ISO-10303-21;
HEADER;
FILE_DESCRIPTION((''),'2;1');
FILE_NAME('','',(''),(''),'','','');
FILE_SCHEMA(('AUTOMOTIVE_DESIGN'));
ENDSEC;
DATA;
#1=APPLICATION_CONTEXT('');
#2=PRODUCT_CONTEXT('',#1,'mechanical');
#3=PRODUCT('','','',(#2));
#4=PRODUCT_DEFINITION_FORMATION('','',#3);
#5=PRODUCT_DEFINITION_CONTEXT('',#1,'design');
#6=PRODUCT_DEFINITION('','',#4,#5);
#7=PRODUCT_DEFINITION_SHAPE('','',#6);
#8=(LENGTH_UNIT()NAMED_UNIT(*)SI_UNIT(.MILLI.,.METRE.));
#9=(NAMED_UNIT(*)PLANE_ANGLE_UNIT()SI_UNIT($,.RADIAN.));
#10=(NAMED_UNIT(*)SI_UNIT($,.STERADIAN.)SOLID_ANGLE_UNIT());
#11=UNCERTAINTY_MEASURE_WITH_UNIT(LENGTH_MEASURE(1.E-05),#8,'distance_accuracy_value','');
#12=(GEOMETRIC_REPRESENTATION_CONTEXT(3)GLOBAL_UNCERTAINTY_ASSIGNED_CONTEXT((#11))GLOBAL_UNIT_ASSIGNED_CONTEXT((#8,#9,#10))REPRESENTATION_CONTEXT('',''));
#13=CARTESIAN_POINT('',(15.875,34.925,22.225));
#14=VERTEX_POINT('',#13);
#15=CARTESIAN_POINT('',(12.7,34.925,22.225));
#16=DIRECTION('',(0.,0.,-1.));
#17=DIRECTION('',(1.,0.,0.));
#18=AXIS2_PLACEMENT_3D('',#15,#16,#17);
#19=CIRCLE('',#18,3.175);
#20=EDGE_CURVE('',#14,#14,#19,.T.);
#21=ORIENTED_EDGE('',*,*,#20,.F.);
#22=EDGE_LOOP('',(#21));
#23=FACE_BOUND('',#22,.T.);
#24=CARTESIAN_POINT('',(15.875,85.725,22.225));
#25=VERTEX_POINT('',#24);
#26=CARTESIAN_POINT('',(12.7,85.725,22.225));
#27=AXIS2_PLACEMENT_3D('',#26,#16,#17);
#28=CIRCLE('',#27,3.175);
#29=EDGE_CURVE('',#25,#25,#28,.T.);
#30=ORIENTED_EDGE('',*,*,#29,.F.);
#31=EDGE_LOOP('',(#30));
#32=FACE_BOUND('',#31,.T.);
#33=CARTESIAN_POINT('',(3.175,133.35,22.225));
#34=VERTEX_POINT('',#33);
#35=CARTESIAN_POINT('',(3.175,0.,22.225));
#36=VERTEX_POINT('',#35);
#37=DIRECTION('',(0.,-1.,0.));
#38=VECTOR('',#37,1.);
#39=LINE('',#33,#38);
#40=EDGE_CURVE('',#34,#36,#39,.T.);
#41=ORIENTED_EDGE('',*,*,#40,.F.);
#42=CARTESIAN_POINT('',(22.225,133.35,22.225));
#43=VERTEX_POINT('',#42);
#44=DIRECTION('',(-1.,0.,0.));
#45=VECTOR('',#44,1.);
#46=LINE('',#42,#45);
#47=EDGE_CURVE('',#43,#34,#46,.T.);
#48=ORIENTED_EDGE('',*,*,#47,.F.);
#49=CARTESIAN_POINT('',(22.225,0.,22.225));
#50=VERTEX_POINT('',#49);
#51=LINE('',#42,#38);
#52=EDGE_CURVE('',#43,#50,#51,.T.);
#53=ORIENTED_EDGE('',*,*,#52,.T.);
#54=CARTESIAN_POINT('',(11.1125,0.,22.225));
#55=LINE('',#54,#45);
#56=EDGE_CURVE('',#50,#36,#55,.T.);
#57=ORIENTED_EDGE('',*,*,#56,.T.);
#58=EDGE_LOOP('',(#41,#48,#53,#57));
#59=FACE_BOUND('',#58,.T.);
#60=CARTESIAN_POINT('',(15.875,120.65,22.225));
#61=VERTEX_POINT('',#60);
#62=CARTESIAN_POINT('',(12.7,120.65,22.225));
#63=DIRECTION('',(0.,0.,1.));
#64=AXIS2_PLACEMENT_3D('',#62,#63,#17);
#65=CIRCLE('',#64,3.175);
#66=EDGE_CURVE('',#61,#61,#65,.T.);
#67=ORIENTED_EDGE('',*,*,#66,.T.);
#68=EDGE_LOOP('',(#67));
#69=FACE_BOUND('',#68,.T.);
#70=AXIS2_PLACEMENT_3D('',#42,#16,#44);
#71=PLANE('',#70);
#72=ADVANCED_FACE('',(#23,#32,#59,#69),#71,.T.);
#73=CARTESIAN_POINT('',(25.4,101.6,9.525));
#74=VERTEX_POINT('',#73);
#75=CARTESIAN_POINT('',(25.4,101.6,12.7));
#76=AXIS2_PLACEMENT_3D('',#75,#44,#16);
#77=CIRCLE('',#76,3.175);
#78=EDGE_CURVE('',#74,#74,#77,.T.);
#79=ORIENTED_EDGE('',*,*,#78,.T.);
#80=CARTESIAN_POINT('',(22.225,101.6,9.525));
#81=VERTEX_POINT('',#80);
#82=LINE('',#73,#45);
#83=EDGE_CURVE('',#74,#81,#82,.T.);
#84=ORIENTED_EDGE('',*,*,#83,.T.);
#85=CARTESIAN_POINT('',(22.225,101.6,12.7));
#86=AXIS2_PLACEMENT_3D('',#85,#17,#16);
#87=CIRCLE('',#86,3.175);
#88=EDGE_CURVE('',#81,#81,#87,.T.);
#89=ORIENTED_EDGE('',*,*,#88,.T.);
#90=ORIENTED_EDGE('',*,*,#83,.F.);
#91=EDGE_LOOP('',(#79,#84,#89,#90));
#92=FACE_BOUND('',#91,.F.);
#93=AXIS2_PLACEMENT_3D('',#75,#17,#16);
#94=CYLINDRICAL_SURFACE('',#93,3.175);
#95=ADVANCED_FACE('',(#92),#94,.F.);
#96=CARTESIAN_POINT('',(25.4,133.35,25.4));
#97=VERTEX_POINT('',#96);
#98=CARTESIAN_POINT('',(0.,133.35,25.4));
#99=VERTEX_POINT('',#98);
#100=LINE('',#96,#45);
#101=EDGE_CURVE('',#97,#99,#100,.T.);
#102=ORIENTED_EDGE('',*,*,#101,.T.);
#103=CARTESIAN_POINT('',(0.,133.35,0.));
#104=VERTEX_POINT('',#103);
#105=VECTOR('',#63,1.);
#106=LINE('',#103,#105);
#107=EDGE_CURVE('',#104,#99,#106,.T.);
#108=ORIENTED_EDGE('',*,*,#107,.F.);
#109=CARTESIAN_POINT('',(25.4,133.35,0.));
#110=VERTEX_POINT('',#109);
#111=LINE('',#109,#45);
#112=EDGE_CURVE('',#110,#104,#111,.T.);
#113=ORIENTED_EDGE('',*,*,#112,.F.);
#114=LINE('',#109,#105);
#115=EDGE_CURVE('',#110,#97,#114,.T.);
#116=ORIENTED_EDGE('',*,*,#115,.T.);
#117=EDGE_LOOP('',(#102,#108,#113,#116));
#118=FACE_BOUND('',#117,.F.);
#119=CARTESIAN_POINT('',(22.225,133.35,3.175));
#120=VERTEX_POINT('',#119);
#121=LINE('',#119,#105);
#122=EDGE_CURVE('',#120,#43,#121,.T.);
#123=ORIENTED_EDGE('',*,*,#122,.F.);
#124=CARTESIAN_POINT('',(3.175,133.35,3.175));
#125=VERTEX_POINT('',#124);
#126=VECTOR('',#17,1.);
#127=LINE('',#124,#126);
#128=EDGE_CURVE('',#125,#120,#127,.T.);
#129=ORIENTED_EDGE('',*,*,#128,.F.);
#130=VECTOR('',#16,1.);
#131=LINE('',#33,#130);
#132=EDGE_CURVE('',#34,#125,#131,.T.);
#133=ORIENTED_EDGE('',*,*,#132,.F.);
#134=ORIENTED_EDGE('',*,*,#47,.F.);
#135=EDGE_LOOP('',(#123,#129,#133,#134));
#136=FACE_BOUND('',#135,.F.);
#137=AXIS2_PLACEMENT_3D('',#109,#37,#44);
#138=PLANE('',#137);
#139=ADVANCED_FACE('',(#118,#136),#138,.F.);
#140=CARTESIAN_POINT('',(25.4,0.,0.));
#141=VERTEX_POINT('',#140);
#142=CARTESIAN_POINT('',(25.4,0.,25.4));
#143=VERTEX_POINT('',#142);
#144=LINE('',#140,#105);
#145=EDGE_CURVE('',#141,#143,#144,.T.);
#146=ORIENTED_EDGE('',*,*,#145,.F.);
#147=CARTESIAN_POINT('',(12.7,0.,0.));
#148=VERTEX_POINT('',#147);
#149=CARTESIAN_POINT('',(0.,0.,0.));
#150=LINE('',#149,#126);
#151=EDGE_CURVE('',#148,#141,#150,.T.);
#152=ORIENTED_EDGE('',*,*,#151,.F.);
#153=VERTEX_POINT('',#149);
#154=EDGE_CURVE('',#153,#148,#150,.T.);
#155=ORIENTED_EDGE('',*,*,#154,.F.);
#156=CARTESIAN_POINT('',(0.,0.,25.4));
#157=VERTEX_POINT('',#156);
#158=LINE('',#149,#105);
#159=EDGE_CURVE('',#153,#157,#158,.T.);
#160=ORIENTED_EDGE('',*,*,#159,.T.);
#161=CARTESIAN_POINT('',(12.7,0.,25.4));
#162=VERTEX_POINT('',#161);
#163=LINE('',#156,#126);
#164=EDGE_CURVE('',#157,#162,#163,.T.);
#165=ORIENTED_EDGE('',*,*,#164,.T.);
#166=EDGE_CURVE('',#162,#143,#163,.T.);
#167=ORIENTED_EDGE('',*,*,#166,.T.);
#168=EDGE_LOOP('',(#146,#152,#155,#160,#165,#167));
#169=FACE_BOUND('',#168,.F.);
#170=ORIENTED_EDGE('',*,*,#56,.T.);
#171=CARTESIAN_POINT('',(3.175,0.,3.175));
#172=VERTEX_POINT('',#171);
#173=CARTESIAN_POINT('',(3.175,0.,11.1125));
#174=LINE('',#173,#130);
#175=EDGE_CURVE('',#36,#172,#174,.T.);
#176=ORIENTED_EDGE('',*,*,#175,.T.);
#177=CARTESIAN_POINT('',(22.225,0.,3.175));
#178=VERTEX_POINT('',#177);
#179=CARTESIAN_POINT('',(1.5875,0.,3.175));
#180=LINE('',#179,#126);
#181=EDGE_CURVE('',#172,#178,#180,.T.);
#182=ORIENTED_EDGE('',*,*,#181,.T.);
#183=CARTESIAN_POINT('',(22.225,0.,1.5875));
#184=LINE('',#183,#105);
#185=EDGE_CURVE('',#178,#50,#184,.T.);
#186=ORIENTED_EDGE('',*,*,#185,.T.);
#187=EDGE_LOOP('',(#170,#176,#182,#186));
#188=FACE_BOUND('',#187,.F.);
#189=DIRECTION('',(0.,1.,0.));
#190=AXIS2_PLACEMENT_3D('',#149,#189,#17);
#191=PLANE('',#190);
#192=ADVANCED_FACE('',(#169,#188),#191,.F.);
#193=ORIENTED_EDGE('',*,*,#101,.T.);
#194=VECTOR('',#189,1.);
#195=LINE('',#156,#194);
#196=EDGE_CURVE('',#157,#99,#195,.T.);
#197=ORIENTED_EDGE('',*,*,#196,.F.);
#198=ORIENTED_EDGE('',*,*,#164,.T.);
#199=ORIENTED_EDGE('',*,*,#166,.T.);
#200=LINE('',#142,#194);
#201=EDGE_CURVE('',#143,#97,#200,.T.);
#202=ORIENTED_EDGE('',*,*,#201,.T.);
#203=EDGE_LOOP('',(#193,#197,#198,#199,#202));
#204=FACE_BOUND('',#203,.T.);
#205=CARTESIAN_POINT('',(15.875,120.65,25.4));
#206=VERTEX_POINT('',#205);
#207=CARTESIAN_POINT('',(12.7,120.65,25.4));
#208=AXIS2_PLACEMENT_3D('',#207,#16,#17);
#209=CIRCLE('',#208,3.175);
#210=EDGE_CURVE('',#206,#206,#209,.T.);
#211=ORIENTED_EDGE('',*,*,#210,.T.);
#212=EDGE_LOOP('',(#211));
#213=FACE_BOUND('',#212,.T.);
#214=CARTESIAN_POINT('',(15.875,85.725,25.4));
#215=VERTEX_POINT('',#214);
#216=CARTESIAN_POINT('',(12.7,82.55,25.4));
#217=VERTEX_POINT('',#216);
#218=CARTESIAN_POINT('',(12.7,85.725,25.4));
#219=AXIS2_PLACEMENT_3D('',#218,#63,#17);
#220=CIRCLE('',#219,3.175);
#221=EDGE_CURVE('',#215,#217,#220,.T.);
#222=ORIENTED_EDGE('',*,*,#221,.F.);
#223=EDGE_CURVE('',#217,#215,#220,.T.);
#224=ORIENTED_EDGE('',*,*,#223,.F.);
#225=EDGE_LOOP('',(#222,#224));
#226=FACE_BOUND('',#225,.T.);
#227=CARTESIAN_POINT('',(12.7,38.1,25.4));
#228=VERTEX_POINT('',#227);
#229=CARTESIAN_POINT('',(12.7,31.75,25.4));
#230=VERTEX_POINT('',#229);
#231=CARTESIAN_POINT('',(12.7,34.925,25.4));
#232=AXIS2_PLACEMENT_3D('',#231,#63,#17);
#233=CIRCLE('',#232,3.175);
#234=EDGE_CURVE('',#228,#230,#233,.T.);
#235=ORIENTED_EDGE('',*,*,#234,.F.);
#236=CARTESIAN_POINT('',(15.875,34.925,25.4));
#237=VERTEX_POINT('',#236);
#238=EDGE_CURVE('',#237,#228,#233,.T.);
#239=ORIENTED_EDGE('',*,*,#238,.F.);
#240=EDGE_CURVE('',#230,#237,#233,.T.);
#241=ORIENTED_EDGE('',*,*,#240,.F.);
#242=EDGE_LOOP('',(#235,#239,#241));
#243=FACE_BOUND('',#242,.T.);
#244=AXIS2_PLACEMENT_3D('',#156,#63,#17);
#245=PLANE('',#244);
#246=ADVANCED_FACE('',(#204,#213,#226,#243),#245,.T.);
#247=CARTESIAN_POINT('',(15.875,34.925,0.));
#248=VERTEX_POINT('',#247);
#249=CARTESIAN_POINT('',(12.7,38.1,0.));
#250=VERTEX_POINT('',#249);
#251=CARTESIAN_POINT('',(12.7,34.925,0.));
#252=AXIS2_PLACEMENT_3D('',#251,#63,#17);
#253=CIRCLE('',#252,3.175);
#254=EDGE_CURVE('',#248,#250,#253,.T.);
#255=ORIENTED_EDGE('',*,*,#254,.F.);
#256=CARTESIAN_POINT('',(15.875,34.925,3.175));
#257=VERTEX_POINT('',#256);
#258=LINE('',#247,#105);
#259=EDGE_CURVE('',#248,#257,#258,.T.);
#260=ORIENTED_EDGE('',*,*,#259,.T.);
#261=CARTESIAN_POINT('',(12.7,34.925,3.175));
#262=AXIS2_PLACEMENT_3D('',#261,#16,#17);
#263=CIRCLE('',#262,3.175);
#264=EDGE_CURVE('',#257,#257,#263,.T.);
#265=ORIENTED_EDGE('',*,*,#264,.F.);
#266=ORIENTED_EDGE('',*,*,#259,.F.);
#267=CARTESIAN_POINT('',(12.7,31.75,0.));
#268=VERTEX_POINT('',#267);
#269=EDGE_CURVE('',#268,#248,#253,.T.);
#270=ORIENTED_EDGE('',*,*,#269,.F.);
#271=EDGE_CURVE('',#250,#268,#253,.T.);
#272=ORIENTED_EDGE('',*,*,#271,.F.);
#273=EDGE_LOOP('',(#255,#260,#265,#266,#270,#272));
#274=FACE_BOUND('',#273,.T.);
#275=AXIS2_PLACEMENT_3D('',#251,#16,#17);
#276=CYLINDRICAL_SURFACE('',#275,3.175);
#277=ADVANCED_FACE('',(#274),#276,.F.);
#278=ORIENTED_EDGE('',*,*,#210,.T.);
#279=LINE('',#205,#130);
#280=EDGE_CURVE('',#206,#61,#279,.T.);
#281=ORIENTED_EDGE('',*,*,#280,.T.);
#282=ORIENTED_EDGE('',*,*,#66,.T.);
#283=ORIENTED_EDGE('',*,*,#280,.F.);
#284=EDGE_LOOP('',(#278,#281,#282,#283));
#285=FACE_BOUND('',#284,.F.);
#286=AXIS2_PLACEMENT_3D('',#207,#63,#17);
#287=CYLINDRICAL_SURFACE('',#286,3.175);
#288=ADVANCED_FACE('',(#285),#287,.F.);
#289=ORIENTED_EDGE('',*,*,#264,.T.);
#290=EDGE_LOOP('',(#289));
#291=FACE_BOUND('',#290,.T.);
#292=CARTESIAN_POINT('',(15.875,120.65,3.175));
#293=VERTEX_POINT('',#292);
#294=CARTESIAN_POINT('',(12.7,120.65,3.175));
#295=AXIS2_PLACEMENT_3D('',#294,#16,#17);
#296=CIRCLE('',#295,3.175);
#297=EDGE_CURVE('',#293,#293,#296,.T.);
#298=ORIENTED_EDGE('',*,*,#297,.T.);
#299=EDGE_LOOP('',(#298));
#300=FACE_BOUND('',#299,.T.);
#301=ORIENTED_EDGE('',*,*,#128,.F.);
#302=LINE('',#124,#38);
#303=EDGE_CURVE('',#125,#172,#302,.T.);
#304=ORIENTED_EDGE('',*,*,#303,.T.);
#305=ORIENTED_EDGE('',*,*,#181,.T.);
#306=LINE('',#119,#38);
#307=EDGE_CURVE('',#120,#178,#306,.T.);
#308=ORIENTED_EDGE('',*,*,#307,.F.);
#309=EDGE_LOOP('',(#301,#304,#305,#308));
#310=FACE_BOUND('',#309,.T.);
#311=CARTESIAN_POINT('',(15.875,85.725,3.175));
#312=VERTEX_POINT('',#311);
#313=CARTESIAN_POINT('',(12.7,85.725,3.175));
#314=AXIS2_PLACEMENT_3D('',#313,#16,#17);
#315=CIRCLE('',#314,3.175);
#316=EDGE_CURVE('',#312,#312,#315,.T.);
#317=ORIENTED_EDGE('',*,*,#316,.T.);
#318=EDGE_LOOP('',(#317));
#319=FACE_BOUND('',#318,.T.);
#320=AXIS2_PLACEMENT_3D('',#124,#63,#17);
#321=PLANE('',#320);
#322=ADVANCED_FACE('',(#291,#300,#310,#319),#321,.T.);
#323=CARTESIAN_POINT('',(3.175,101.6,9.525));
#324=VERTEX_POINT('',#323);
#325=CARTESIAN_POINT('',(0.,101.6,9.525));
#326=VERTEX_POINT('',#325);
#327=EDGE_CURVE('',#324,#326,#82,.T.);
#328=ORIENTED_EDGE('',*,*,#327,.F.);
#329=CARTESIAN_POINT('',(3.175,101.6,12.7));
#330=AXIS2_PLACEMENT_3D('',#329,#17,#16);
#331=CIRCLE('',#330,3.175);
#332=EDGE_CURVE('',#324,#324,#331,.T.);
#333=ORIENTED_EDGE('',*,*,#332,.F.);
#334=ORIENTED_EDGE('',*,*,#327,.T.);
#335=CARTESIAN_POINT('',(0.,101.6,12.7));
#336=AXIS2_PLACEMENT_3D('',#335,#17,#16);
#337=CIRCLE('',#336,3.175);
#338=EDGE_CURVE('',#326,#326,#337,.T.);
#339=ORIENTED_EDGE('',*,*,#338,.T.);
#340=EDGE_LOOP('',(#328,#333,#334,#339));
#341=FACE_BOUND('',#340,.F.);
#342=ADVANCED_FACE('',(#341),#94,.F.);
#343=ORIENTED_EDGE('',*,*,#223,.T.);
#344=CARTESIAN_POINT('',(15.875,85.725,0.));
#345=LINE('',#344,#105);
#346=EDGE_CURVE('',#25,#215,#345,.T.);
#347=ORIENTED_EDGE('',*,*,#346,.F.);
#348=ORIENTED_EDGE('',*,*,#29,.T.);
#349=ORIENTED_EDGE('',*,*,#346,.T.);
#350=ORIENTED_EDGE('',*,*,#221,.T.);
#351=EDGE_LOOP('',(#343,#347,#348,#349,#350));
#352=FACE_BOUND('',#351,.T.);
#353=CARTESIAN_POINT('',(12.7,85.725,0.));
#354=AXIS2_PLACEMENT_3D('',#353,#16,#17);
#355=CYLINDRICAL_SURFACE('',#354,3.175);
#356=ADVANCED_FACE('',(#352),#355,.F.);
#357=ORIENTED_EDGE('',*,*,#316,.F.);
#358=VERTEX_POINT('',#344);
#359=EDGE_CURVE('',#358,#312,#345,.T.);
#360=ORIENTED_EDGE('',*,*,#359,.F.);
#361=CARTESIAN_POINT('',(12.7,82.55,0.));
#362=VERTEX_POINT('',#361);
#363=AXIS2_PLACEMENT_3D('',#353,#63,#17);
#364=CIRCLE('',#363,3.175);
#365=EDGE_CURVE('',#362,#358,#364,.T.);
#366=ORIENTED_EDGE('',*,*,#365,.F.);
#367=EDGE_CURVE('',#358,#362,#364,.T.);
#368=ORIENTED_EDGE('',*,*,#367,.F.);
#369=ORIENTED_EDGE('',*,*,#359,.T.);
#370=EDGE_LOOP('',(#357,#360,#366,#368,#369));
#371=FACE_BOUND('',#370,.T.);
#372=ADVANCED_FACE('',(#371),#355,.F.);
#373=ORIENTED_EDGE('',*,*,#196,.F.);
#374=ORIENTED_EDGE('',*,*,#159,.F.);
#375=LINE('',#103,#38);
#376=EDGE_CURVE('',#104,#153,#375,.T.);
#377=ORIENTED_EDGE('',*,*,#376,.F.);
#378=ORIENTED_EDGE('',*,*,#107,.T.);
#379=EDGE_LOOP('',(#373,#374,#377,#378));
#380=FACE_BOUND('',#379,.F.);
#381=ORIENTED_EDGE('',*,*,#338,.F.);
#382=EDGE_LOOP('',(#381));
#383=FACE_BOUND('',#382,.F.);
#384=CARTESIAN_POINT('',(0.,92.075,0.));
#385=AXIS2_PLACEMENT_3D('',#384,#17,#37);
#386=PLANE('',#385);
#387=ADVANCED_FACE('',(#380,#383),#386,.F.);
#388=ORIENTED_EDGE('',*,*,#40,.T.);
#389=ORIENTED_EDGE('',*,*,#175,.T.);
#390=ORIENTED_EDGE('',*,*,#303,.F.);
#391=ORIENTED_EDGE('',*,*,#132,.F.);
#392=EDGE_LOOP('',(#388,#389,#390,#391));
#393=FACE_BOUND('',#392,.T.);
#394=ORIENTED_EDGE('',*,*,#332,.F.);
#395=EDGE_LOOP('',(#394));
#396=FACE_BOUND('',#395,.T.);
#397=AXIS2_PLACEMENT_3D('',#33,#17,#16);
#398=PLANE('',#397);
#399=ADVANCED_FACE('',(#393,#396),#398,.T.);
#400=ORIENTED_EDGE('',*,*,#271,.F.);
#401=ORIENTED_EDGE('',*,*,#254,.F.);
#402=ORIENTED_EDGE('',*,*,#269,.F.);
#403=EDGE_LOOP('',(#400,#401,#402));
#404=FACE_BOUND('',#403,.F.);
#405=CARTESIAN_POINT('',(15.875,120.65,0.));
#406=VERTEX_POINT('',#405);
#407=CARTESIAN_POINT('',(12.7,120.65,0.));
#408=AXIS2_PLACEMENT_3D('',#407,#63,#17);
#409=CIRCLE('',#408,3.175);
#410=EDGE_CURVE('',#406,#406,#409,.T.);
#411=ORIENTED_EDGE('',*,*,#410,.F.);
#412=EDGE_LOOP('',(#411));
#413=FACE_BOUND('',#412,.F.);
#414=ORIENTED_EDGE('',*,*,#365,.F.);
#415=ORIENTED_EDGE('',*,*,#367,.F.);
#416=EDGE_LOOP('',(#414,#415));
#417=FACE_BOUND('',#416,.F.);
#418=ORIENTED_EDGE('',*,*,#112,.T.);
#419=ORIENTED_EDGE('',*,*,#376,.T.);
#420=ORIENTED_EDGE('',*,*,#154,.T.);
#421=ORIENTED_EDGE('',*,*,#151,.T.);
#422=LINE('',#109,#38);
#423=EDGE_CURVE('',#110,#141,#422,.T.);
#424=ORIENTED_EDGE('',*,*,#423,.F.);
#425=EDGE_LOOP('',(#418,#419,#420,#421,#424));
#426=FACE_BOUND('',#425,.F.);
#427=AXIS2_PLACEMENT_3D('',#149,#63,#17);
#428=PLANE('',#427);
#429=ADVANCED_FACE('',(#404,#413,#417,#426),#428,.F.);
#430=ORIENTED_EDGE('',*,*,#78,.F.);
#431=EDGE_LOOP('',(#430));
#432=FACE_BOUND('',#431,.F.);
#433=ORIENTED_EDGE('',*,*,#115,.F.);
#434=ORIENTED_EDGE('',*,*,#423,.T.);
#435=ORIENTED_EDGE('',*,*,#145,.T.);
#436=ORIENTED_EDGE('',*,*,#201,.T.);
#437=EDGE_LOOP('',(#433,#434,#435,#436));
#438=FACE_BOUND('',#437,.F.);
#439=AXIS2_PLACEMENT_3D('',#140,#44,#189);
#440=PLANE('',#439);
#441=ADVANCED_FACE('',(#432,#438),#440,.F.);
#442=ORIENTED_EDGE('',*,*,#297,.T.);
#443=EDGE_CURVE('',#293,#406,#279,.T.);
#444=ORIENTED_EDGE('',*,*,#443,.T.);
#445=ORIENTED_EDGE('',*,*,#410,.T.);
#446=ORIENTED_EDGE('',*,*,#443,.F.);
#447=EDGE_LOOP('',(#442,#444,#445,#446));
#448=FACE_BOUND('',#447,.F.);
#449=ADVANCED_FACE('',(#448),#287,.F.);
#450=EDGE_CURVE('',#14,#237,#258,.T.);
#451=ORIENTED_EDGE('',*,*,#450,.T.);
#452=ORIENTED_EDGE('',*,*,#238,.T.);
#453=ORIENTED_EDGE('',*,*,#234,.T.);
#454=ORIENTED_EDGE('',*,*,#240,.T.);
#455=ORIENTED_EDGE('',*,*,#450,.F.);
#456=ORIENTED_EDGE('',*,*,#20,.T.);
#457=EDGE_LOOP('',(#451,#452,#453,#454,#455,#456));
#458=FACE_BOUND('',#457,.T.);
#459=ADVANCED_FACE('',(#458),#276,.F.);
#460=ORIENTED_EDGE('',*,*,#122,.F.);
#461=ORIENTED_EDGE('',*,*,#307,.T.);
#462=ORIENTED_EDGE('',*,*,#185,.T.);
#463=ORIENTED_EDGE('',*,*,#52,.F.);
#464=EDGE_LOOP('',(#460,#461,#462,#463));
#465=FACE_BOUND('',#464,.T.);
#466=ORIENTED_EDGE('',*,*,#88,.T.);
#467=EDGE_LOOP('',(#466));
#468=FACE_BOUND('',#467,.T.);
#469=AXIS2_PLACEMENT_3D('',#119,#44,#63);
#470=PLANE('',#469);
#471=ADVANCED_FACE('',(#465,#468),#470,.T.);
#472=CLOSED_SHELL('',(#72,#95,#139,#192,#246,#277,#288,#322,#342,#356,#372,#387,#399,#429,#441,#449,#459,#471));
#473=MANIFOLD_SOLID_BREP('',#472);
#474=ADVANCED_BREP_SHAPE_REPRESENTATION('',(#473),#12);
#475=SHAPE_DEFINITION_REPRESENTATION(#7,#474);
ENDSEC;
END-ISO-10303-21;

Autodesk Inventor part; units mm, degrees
ref_plane "YZ Plane" through (0, 0, 0) normal (1, 0, 0) x (0, 1, 0)
ref_plane "XZ Plane" through (0, 0, 0) normal (0, 1, 0) x (-1, 0, 0)
ref_plane "XY Plane" through (0, 0, 0) normal (0, 0, 1) x (1, 0, 0)
sketch "Sketch1" plane through (0, 0, 0) normal (0, 0, 1) x (1, 0, 0)
  line L0 (0, 0) -> (25.4, 0)
  line L1 (25.4, 0) -> (25.4, 133.35)
  line L2 (25.4, 133.35) -> (0, 133.35)
  line L3 (0, 133.35) -> (0, 0)
  line L4 (25.4, 0) -> (0, 0)
  line L5 (0, 0) -> (0, 92.075)
  line L6 (0, 92.075) -> (25.4, 92.075)
  line L7 (25.4, 92.075) -> (25.4, 0)
  line L8 (12.7, 0) -> (12.7, 85.725)
  line L9 (12.7, 0) -> (98.425, 0) construction
  circle A0 centre (12.7, 85.725) radius 3.175
  line L10 (12.7, 85.725) -> (12.7, 34.925)
  circle A1 centre (12.7, 34.925) radius 3.175
  dimension "d0" = 25.4
  dimension "d1" = 133.35
  dimension "d2" = 25.4
  dimension "d3" = 92.075
  dimension "d4" = 85.725
  dimension "d5" = 90
  dimension "d6" = 6.35
  dimension "d7" = 50.8
  dimension "d8" = 6.35
extrude "Extrusion1" add sketch "Sketch1" along normal blind 25.4
sketch "Sketch2" plane through (0, 133.35, 0) normal (0, 1, 0) x (1, 0, 0)
  line L0 (22.225, -22.225) -> (3.175, -22.225)
  line L1 (3.175, -22.225) -> (3.175, -3.175)
  line L2 (3.175, -3.175) -> (22.225, -3.175)
  line L3 (22.225, -3.175) -> (22.225, -22.225)
  dimension "d11" = 19.05
  dimension "d12" = 19.05
extrude "Extrusion2" cut sketch "Sketch2" against normal blind 254
sketch "Sketch3" plane through (25.4, 0, 0) normal (1, 0, 0) x (0, 0, -1)
  line L0 (0, 133.35) -> (-25.4, 133.35) projected
  line L1 (0, 0) -> (-25.4, 0) projected
  line L2 (-12.7, 133.35) -> (-12.7, 101.6)
  line L3 (-12.7, 133.35) -> (19.05, 133.35) construction
  circle A0 centre (-12.7, 101.6) radius 3.175
  dimension "d15" = 31.75
  dimension "d16" = 90
  dimension "d17" = 6.35
extrude "Extrusion3" cut sketch "Sketch3" against normal blind 254
sketch "Sketch4" plane through (0, 0, 25.4) normal (0, 0, 1) x (1, 0, 0)
  line L0 (25.4, 133.35) -> (0, 133.35) projected
  line L1 (0, 133.35) -> (0, 0) projected
  line L2 (12.7, 133.35) -> (12.7, 120.65)
  line L3 (12.7, 133.35) -> (25.4, 133.35) construction
  circle A0 centre (12.7, 120.65) radius 3.175
  dimension "d20" = 12.7
  dimension "d21" = 90
  dimension "d22" = 6.35
extrude "Extrusion4" cut sketch "Sketch4" against normal blind 25.4
properties part number "CatchSupport"
